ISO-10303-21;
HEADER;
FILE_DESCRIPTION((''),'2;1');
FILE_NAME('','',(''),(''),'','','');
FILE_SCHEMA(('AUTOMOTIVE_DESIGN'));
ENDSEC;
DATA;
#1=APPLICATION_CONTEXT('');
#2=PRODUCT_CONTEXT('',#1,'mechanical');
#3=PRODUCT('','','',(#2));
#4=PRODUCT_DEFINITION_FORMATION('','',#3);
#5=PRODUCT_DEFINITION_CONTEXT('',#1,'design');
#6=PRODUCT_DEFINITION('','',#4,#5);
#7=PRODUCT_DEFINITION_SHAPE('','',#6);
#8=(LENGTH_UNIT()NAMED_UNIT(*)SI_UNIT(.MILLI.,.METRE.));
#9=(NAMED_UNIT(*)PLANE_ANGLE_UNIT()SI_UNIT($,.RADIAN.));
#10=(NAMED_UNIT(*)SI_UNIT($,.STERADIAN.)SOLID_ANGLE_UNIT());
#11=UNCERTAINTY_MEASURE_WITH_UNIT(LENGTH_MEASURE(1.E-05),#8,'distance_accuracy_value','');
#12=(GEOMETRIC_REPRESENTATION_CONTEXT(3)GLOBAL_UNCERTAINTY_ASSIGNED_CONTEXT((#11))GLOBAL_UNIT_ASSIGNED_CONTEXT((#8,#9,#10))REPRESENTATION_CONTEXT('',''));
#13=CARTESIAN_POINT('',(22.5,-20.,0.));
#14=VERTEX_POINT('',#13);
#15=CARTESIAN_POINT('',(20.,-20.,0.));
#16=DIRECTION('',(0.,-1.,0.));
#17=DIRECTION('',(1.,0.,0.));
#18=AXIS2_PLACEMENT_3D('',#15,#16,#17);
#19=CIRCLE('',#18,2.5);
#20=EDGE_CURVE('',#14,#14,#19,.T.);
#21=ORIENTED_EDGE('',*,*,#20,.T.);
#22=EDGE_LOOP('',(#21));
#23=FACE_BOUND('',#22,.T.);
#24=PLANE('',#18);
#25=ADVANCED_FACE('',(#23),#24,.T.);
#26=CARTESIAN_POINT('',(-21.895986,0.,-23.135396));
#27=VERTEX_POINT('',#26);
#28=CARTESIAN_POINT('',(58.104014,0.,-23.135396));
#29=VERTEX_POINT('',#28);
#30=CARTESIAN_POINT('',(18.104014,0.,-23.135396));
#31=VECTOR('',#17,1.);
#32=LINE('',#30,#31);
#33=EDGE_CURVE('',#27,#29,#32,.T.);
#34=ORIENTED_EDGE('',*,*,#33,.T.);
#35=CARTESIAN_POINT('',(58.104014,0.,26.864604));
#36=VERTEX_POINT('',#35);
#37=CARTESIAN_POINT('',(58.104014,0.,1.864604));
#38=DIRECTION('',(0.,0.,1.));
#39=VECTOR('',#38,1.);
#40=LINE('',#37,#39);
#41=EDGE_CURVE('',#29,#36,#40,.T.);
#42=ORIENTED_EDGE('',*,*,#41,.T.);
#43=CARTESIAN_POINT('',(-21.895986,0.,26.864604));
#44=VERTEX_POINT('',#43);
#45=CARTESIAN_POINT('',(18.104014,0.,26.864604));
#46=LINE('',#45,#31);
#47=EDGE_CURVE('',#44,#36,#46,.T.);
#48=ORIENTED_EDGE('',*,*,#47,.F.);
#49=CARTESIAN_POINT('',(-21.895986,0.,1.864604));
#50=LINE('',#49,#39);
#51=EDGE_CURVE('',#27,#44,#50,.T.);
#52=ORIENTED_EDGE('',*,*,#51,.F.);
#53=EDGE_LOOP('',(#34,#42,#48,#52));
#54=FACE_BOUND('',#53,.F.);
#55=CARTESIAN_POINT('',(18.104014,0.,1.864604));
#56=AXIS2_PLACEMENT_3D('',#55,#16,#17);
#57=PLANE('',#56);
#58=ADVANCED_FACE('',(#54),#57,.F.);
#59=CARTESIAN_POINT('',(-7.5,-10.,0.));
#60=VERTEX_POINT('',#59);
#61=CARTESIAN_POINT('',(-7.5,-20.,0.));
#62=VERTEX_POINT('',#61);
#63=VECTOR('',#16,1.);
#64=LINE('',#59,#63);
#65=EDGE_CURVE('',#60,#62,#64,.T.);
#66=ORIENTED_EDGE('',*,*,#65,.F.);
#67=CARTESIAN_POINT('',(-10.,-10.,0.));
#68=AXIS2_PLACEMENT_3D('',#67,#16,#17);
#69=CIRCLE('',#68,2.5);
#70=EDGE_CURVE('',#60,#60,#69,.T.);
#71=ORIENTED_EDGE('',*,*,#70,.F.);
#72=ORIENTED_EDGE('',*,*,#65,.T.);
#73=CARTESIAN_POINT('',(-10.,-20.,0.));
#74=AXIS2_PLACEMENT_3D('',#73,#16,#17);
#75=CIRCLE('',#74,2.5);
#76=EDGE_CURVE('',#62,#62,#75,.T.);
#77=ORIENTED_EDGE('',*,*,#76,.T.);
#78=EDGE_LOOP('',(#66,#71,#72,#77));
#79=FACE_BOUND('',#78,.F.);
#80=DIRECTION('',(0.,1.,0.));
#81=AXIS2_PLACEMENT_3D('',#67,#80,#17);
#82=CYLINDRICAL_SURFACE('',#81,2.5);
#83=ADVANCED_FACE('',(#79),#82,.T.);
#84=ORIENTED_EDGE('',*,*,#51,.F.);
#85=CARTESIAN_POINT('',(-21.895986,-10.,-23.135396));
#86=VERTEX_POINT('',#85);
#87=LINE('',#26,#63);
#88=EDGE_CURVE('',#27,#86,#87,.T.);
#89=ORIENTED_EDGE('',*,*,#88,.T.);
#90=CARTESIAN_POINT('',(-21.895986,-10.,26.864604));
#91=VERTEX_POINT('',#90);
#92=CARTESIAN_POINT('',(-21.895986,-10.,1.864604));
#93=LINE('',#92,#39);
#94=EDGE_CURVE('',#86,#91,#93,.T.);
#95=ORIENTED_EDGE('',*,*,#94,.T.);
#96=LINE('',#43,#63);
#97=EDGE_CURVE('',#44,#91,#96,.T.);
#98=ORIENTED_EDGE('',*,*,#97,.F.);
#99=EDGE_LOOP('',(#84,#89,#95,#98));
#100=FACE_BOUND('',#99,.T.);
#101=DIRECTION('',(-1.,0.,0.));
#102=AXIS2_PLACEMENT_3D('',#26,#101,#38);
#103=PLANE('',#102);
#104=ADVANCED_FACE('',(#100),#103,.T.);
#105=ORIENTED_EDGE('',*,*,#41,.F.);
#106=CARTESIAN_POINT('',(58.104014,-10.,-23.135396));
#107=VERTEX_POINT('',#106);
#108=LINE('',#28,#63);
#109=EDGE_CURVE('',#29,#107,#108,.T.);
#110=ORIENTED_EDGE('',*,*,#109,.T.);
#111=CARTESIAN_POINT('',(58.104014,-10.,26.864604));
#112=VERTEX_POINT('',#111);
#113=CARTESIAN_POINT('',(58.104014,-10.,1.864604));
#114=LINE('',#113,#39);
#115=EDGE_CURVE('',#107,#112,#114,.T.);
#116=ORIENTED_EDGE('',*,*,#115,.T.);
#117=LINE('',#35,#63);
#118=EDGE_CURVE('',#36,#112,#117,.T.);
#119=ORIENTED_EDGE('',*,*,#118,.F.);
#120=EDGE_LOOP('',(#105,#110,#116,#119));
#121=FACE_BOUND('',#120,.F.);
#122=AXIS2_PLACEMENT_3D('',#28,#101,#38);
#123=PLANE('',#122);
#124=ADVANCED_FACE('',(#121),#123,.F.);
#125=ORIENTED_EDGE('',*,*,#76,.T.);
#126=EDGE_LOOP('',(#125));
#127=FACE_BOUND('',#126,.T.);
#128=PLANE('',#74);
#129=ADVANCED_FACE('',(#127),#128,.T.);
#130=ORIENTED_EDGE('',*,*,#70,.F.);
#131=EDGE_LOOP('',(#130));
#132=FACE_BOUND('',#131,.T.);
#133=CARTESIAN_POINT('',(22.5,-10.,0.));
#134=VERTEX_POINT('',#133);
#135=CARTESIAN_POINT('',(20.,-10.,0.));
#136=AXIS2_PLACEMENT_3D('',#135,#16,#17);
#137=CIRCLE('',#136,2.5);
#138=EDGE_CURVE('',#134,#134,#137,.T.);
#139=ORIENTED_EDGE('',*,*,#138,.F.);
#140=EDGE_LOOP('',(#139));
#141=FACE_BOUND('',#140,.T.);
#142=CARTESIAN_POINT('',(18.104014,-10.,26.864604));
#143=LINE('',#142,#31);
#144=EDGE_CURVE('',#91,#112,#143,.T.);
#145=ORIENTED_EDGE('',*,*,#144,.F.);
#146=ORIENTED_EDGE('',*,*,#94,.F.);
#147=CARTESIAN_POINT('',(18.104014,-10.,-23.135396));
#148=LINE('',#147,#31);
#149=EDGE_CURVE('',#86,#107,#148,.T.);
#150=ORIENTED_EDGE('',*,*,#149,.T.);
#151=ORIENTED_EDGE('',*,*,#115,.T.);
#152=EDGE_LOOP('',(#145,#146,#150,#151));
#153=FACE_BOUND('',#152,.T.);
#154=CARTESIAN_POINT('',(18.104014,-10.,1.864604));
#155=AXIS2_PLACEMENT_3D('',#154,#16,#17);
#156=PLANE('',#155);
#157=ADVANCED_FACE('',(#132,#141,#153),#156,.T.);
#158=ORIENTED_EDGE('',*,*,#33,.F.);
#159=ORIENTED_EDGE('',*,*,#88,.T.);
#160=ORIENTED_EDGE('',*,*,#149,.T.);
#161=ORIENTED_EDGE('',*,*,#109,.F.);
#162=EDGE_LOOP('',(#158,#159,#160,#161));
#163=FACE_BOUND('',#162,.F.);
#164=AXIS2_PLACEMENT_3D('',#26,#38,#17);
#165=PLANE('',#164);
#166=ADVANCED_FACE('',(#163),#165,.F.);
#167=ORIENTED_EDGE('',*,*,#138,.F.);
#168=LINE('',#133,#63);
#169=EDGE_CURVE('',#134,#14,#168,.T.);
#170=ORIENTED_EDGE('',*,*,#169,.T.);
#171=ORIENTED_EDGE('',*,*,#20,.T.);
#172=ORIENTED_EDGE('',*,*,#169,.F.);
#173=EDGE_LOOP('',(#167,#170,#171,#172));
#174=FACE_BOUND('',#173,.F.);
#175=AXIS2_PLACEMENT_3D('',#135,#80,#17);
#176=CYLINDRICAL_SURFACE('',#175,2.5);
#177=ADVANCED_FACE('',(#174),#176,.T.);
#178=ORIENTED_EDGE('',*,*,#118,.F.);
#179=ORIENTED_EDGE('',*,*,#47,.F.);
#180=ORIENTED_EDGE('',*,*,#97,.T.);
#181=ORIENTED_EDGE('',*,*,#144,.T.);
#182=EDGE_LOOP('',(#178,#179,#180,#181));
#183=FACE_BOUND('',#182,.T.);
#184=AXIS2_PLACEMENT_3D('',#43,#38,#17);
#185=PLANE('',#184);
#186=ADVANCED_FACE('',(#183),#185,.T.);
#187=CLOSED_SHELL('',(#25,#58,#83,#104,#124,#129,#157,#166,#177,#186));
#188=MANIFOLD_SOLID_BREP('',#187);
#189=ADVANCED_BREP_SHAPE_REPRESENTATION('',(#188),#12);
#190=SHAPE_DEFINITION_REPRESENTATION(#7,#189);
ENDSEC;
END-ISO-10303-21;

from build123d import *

# Parameters (mm, degrees)
F0_W     = 80
F0_H     = 50
F1_DEPTH = 10
F2_R     = 2.5
F3_DEPTH = 10
F5_DEPTH = 10


with BuildPart() as f1:
    # F0 (on Front) → F1 (new body)
    with BuildSketch(Plane.XZ):
        with Locations((18.104014, 1.864604)):
            Rectangle(F0_W, F0_H)
    extrude(amount=F1_DEPTH)

    # F2 (on face) → F3 (join)
    with BuildSketch(Plane.XZ.offset(10)):
        with Locations((-10, 0)):
            Circle(F2_R)
    extrude(amount=F3_DEPTH)

    # F4 (on face) → F5 (join)
    with BuildSketch(Plane.XZ.offset(10)):
        with BuildLine():
            ThreePointArc((17.5, 0), (20, -2.5), (22.5, 0))
            ThreePointArc((22.5, 0), (20, 2.5), (17.5, 0))
        make_face()
    extrude(amount=F5_DEPTH)


solid = f1.part
